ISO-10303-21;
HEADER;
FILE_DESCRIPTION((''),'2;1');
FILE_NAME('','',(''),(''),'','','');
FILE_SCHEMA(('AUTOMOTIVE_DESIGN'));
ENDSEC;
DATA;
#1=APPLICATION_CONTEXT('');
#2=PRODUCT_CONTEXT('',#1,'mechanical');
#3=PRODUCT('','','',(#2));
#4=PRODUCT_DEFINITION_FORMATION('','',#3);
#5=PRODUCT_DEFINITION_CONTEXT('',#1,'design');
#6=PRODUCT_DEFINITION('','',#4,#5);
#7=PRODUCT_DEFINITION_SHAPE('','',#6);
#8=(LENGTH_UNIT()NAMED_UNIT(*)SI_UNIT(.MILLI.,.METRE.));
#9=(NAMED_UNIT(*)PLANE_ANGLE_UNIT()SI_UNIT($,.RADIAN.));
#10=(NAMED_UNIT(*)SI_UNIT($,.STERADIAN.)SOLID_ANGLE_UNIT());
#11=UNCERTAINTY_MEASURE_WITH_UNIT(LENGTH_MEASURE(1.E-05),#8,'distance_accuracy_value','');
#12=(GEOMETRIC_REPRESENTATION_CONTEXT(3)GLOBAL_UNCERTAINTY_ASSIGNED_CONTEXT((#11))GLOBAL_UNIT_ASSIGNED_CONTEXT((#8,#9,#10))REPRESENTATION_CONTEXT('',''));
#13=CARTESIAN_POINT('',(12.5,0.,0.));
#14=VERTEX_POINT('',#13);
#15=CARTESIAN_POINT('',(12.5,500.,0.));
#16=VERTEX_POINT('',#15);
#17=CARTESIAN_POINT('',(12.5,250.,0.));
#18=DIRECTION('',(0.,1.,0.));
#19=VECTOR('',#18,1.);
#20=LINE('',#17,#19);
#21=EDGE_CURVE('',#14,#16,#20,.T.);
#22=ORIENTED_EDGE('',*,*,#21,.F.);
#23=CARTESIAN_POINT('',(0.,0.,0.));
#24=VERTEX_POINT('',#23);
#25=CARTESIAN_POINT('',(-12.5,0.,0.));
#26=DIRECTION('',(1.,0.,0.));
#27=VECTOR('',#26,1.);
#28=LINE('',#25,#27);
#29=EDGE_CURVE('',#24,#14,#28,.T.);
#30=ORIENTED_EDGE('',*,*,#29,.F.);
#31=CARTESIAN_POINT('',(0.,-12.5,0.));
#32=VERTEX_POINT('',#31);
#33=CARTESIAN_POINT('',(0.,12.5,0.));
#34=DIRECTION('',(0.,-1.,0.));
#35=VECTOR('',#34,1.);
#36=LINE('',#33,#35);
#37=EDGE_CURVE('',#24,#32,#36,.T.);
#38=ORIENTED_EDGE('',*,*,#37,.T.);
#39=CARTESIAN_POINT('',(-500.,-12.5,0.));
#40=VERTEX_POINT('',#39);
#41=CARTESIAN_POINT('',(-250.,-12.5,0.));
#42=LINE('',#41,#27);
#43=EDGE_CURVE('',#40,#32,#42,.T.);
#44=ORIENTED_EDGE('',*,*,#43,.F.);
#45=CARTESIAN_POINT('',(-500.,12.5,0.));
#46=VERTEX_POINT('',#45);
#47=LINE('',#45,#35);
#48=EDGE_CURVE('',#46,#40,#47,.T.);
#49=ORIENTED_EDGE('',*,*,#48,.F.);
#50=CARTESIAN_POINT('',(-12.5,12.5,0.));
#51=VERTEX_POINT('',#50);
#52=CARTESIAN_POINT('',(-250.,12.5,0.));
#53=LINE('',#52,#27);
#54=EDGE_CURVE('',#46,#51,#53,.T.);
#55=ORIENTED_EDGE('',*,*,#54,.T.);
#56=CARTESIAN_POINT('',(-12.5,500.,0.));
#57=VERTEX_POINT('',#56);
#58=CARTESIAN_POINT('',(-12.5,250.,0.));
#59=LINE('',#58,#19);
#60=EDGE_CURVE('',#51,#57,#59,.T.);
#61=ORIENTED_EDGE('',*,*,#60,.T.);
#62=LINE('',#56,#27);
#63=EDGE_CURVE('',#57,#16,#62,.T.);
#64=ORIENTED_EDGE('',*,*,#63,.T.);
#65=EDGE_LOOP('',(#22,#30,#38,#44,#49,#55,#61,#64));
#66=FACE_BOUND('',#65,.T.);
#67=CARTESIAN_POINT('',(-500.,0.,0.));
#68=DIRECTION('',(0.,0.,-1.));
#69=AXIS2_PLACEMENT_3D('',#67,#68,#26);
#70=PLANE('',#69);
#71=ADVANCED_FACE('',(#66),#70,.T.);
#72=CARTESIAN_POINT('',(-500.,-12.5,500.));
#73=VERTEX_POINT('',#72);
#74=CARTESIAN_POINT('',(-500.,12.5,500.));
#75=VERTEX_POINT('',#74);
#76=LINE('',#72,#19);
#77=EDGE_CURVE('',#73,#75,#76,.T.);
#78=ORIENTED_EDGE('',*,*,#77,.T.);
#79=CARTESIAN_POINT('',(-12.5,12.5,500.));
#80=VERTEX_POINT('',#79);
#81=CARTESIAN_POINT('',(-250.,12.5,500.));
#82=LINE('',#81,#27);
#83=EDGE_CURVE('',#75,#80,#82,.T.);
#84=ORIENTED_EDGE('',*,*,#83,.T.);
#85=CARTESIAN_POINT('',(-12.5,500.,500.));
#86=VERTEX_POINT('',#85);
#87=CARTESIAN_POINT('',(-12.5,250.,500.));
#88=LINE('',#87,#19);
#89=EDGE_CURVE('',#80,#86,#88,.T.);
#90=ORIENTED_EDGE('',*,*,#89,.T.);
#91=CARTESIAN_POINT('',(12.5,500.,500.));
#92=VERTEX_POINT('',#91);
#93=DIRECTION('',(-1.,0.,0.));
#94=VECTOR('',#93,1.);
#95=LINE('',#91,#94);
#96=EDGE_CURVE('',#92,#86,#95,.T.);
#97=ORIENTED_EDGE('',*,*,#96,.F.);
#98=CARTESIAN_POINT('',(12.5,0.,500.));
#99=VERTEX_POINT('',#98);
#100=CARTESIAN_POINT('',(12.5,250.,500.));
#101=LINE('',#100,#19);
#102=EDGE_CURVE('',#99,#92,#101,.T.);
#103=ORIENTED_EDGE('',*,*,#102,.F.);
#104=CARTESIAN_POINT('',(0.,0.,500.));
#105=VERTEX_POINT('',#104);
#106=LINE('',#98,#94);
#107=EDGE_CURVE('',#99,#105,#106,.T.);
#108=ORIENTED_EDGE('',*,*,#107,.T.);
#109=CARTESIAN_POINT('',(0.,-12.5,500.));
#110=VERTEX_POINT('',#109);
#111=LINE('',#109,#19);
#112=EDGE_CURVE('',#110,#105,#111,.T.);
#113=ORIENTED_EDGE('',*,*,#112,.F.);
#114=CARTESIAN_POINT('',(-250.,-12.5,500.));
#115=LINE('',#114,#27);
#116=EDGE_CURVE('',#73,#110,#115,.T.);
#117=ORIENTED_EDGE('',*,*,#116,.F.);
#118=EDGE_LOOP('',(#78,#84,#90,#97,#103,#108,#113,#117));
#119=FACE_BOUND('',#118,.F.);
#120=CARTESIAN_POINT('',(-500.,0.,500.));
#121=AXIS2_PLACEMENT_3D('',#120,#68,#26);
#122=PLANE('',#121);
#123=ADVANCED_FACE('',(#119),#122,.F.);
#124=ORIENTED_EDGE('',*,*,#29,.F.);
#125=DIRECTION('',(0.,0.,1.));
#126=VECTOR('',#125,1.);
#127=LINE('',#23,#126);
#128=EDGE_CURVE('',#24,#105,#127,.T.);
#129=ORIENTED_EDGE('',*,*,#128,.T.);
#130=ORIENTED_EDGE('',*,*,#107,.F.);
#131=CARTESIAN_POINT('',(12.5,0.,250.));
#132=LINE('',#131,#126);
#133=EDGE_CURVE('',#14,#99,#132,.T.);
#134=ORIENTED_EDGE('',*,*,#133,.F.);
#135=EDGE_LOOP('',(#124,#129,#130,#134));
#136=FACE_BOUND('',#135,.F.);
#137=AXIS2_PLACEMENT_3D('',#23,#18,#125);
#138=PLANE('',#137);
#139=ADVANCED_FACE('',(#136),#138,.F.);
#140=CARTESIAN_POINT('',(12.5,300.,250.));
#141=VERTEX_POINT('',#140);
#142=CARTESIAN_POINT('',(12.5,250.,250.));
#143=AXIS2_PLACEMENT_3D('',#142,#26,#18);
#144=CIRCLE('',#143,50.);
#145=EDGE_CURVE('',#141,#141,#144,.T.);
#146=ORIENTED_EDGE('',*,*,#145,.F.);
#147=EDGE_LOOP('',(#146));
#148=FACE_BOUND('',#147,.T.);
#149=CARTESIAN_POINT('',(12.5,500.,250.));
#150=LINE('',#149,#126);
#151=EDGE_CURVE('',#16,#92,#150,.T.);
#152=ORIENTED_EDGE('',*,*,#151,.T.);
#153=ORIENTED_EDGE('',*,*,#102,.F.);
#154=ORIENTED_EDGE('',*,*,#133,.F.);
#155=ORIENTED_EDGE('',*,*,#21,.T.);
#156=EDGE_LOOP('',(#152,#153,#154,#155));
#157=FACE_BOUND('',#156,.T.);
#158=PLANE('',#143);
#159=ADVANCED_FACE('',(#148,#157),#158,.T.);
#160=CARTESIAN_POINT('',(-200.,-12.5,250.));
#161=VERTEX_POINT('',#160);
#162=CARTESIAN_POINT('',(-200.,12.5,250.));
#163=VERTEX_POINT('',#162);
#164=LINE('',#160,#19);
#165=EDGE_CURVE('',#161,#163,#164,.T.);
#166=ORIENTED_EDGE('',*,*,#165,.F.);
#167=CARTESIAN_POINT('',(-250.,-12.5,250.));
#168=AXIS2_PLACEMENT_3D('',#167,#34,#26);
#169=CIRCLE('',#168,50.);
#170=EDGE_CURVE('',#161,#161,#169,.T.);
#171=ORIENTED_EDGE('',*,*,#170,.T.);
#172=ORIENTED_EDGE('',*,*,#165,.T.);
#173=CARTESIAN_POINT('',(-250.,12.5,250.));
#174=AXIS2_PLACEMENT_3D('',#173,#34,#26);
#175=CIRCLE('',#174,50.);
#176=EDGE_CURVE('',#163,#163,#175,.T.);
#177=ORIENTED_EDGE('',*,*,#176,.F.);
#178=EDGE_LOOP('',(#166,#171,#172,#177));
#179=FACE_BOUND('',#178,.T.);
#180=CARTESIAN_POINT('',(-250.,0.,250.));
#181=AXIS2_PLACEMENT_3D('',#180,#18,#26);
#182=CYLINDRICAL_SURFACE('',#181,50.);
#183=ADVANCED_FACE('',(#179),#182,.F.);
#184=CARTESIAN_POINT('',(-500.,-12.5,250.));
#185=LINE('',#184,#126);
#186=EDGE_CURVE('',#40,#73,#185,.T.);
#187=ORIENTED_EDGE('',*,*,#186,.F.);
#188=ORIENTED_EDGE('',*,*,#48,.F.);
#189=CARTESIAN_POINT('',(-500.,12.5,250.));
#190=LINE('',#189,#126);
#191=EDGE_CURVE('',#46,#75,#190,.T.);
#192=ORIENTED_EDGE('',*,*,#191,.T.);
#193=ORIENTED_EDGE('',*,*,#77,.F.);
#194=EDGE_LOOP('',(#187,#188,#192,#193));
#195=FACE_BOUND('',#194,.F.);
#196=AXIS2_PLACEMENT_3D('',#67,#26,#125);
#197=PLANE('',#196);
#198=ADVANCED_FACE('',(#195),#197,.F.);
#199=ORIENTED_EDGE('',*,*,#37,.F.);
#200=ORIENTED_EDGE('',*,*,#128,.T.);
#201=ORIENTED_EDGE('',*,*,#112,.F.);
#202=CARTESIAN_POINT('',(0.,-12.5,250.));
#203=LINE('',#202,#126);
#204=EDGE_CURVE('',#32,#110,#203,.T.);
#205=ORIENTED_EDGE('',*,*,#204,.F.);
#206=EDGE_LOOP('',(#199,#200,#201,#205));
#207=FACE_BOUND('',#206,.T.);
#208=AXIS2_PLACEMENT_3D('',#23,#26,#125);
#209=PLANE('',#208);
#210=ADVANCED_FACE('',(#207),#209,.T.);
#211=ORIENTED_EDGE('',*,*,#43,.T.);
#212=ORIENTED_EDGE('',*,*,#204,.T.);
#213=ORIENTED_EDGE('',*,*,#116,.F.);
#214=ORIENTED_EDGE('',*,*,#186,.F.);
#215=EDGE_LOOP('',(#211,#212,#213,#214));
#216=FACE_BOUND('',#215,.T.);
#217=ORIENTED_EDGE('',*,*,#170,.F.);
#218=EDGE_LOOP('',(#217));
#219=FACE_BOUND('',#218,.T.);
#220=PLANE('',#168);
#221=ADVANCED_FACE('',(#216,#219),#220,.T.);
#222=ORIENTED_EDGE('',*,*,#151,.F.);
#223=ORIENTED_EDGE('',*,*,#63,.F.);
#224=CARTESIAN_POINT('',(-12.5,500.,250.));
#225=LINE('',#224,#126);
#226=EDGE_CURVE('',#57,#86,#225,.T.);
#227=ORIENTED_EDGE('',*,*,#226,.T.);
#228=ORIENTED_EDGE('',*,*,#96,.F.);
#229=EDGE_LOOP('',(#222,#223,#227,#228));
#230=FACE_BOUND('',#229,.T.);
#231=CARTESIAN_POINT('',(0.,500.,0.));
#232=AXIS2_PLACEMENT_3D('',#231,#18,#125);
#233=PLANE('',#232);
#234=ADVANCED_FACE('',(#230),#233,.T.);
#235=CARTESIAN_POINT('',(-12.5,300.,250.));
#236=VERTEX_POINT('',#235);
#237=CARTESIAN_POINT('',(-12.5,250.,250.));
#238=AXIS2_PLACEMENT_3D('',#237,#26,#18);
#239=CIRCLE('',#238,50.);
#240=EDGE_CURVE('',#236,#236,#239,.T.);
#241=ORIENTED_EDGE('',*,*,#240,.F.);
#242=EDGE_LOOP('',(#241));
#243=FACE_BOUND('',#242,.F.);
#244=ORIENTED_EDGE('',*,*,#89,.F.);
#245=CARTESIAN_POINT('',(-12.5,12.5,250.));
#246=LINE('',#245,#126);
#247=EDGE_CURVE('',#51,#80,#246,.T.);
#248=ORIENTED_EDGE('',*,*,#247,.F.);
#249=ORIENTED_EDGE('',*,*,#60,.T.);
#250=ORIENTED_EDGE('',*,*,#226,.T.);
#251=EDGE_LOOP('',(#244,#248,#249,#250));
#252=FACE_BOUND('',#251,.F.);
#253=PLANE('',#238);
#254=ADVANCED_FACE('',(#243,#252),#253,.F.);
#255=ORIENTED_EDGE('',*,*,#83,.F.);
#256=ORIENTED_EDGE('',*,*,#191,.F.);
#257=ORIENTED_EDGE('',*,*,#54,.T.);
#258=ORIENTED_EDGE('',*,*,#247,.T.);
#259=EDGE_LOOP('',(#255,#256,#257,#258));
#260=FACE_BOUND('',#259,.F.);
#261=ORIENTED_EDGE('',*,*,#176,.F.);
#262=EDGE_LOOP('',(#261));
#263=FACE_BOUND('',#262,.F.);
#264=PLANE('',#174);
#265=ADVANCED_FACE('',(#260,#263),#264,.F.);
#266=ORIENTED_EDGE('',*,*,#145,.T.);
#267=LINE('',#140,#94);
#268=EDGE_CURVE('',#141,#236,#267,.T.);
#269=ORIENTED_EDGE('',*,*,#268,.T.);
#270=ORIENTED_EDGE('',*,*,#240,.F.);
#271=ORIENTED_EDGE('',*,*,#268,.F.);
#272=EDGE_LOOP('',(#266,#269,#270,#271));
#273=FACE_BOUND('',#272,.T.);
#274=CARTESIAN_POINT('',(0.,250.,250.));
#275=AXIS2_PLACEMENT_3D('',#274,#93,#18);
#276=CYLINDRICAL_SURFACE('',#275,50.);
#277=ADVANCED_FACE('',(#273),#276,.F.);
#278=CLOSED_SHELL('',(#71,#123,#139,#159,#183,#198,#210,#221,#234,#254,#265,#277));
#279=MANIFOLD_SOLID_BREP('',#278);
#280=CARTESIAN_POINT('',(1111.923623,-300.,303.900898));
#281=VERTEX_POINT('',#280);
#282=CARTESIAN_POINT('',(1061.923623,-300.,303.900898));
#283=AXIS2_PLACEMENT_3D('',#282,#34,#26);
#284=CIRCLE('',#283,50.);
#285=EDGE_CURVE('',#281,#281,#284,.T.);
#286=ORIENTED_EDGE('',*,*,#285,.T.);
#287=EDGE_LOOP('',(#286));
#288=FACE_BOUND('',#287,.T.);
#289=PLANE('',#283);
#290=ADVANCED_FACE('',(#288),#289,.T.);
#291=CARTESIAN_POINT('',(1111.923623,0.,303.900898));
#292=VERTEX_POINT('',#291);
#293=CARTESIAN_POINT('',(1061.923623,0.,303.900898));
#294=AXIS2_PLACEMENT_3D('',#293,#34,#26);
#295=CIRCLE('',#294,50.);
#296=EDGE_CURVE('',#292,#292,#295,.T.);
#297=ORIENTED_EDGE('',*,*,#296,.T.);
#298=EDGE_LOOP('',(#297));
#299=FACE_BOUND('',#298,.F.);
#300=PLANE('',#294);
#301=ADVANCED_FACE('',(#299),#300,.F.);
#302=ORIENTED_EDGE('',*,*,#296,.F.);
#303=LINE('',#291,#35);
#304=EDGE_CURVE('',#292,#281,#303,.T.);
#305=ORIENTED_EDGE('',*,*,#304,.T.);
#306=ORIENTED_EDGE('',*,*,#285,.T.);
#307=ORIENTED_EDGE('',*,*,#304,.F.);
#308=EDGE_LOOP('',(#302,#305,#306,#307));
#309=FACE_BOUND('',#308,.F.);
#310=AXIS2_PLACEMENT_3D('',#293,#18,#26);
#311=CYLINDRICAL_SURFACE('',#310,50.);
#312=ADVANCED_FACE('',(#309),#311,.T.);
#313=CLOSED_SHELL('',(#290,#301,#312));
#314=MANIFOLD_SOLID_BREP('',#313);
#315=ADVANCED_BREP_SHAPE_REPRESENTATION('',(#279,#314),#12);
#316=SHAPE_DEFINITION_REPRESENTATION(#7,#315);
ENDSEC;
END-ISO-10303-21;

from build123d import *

# Parameters (mm, degrees)
F0_W     = 500
F0_H     = 500
F0_R     = 50
F1_DEPTH = 12.5
F2_W     = 500
F2_H     = 500
F2_R     = 50
F3_DEPTH = 12.5
F4_R     = 50
F5_DEPTH = 300


with BuildPart() as f1:
    # F0 (on Front) → F1 (new body, symmetric)
    with BuildSketch(Plane.XZ):
        with Locations((-250, 250)):
            Rectangle(F0_W, F0_H)
        with Locations((-250, 250)):
            Circle(F0_R, mode=Mode.SUBTRACT)
    extrude(amount=F1_DEPTH, both=True)

    # F2 (on Right) → F3 (join, symmetric)
    with BuildSketch(Plane.YZ):
        with Locations((250, 250)):
            Rectangle(F2_W, F2_H)
        with Locations((250, 250)):
            Circle(F2_R, mode=Mode.SUBTRACT)
    extrude(amount=F3_DEPTH, both=True)


with BuildPart() as f5:
    # F4 (on Front) → F5 (new body)
    with BuildSketch(Plane.XZ):
        with Locations((1061.923623, 303.900898)):
            Circle(F4_R)
    extrude(amount=F5_DEPTH)


solid = Compound([f1.part, f5.part])
